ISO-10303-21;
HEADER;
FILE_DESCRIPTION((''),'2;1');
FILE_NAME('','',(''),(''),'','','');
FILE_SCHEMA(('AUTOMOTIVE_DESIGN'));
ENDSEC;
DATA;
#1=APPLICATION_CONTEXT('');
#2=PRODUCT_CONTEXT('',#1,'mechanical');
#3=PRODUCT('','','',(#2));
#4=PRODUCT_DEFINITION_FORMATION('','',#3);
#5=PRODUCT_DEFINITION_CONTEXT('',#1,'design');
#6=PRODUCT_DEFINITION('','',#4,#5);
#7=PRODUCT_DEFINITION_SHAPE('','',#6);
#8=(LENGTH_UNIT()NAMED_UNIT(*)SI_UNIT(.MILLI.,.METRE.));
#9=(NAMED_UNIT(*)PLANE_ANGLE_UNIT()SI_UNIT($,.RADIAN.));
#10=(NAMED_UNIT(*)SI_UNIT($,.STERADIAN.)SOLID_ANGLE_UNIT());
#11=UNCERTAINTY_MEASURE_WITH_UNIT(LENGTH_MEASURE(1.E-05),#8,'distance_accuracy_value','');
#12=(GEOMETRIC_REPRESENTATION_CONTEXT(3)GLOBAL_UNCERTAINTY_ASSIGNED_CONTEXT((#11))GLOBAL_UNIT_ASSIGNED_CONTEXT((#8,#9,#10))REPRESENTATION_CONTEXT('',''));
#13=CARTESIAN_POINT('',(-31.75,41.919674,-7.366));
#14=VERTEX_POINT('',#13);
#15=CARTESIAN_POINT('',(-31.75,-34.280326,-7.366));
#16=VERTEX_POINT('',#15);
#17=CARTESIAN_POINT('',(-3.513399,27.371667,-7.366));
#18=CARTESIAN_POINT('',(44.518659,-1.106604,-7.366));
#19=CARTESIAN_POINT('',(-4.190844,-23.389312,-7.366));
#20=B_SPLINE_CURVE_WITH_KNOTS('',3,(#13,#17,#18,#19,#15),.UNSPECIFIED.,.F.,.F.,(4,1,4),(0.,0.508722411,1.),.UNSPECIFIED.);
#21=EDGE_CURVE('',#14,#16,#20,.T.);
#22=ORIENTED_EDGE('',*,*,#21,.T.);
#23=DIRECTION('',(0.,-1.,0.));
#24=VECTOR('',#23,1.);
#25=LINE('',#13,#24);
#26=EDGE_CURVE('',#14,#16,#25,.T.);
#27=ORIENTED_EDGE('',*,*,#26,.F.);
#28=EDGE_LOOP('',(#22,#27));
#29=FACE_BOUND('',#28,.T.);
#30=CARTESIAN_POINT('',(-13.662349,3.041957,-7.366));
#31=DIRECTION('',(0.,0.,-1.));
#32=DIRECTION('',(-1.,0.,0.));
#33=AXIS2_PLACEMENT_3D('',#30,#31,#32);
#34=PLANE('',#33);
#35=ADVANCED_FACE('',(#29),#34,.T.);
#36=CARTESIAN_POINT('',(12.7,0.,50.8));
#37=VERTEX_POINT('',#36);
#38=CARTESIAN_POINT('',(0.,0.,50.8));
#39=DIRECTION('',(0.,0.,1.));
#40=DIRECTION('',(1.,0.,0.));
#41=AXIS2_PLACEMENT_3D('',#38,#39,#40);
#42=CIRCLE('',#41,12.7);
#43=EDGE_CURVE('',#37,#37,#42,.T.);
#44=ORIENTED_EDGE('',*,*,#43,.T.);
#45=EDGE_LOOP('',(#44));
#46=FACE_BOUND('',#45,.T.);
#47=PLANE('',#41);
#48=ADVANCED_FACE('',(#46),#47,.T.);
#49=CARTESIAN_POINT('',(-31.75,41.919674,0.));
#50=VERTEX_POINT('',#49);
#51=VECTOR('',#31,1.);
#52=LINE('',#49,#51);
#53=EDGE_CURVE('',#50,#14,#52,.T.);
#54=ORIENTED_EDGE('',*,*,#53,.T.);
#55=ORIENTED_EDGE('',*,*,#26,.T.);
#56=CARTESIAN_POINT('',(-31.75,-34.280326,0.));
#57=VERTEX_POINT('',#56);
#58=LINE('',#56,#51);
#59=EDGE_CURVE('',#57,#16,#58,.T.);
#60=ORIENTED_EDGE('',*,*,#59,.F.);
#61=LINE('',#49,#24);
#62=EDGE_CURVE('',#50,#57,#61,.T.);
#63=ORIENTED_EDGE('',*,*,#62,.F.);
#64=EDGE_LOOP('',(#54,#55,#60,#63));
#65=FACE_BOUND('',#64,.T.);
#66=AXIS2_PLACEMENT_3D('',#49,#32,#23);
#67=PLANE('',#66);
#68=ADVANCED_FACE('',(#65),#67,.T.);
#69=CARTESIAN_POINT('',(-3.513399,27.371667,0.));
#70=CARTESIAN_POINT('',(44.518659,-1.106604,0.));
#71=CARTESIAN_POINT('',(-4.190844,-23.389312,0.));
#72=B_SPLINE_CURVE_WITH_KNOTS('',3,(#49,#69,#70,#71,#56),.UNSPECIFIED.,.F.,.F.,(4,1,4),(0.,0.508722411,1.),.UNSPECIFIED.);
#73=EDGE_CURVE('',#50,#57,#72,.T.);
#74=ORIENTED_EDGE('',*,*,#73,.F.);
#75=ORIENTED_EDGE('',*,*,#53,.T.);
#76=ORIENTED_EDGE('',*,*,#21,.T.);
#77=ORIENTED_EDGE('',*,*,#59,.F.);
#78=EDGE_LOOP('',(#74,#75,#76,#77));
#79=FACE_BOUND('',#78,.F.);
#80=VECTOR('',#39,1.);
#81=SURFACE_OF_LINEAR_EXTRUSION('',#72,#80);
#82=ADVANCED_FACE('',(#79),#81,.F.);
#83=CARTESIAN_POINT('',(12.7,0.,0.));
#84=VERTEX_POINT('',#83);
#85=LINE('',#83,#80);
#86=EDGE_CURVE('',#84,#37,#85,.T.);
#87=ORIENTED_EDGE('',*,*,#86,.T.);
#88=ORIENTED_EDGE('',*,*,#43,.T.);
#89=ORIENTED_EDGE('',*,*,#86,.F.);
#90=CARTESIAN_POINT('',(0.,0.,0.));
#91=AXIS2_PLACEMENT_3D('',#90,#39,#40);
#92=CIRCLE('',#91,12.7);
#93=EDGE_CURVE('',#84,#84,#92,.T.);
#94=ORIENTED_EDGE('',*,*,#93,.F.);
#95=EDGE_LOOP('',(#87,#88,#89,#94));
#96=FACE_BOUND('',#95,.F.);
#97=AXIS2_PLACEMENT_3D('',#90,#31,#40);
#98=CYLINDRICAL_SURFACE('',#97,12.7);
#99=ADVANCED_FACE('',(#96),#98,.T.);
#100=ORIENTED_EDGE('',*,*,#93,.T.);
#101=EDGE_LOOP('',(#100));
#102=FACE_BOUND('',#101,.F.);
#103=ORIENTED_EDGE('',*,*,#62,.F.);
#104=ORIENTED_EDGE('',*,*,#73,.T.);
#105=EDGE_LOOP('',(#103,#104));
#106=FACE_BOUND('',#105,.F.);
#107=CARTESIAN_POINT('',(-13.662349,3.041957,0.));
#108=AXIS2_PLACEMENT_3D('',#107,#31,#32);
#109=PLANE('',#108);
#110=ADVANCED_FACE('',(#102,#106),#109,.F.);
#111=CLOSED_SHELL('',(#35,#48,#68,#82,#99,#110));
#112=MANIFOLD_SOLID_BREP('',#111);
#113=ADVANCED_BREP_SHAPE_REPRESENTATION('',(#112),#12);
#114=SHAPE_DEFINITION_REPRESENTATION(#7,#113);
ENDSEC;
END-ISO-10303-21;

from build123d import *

# Parameters (mm, degrees)
F0_R     = 12.7
F1_DEPTH = 50.8
F2_DEPTH = 7.366


with BuildPart() as f1:
    # F0 (on Top) → F1 (new body)
    with BuildSketch(Plane.XY):
        Circle(F0_R)
    extrude(amount=F1_DEPTH)

    # F0 (on Top) → F2 (join)
    with BuildSketch(Plane.XY):
        with BuildLine():
            add(Edge.make_bspline(
                [(-31.75, 41.9196737826), (-3.513398833, 27.3716669519), (44.5186594733, -1.1066042147), (-4.1908437353, -23.3893115171), (-31.75, -34.2803262174)],
                knots=[0, 0, 0, 0, 0.5087224109, 1, 1, 1, 1], degree=3))
            Line((-31.75, 41.9196737826), (-31.75, -34.2803262174))
        make_face()
        Circle(F0_R, mode=Mode.SUBTRACT)
        Circle(F0_R)
    extrude(amount=-F2_DEPTH)


solid = f1.part
